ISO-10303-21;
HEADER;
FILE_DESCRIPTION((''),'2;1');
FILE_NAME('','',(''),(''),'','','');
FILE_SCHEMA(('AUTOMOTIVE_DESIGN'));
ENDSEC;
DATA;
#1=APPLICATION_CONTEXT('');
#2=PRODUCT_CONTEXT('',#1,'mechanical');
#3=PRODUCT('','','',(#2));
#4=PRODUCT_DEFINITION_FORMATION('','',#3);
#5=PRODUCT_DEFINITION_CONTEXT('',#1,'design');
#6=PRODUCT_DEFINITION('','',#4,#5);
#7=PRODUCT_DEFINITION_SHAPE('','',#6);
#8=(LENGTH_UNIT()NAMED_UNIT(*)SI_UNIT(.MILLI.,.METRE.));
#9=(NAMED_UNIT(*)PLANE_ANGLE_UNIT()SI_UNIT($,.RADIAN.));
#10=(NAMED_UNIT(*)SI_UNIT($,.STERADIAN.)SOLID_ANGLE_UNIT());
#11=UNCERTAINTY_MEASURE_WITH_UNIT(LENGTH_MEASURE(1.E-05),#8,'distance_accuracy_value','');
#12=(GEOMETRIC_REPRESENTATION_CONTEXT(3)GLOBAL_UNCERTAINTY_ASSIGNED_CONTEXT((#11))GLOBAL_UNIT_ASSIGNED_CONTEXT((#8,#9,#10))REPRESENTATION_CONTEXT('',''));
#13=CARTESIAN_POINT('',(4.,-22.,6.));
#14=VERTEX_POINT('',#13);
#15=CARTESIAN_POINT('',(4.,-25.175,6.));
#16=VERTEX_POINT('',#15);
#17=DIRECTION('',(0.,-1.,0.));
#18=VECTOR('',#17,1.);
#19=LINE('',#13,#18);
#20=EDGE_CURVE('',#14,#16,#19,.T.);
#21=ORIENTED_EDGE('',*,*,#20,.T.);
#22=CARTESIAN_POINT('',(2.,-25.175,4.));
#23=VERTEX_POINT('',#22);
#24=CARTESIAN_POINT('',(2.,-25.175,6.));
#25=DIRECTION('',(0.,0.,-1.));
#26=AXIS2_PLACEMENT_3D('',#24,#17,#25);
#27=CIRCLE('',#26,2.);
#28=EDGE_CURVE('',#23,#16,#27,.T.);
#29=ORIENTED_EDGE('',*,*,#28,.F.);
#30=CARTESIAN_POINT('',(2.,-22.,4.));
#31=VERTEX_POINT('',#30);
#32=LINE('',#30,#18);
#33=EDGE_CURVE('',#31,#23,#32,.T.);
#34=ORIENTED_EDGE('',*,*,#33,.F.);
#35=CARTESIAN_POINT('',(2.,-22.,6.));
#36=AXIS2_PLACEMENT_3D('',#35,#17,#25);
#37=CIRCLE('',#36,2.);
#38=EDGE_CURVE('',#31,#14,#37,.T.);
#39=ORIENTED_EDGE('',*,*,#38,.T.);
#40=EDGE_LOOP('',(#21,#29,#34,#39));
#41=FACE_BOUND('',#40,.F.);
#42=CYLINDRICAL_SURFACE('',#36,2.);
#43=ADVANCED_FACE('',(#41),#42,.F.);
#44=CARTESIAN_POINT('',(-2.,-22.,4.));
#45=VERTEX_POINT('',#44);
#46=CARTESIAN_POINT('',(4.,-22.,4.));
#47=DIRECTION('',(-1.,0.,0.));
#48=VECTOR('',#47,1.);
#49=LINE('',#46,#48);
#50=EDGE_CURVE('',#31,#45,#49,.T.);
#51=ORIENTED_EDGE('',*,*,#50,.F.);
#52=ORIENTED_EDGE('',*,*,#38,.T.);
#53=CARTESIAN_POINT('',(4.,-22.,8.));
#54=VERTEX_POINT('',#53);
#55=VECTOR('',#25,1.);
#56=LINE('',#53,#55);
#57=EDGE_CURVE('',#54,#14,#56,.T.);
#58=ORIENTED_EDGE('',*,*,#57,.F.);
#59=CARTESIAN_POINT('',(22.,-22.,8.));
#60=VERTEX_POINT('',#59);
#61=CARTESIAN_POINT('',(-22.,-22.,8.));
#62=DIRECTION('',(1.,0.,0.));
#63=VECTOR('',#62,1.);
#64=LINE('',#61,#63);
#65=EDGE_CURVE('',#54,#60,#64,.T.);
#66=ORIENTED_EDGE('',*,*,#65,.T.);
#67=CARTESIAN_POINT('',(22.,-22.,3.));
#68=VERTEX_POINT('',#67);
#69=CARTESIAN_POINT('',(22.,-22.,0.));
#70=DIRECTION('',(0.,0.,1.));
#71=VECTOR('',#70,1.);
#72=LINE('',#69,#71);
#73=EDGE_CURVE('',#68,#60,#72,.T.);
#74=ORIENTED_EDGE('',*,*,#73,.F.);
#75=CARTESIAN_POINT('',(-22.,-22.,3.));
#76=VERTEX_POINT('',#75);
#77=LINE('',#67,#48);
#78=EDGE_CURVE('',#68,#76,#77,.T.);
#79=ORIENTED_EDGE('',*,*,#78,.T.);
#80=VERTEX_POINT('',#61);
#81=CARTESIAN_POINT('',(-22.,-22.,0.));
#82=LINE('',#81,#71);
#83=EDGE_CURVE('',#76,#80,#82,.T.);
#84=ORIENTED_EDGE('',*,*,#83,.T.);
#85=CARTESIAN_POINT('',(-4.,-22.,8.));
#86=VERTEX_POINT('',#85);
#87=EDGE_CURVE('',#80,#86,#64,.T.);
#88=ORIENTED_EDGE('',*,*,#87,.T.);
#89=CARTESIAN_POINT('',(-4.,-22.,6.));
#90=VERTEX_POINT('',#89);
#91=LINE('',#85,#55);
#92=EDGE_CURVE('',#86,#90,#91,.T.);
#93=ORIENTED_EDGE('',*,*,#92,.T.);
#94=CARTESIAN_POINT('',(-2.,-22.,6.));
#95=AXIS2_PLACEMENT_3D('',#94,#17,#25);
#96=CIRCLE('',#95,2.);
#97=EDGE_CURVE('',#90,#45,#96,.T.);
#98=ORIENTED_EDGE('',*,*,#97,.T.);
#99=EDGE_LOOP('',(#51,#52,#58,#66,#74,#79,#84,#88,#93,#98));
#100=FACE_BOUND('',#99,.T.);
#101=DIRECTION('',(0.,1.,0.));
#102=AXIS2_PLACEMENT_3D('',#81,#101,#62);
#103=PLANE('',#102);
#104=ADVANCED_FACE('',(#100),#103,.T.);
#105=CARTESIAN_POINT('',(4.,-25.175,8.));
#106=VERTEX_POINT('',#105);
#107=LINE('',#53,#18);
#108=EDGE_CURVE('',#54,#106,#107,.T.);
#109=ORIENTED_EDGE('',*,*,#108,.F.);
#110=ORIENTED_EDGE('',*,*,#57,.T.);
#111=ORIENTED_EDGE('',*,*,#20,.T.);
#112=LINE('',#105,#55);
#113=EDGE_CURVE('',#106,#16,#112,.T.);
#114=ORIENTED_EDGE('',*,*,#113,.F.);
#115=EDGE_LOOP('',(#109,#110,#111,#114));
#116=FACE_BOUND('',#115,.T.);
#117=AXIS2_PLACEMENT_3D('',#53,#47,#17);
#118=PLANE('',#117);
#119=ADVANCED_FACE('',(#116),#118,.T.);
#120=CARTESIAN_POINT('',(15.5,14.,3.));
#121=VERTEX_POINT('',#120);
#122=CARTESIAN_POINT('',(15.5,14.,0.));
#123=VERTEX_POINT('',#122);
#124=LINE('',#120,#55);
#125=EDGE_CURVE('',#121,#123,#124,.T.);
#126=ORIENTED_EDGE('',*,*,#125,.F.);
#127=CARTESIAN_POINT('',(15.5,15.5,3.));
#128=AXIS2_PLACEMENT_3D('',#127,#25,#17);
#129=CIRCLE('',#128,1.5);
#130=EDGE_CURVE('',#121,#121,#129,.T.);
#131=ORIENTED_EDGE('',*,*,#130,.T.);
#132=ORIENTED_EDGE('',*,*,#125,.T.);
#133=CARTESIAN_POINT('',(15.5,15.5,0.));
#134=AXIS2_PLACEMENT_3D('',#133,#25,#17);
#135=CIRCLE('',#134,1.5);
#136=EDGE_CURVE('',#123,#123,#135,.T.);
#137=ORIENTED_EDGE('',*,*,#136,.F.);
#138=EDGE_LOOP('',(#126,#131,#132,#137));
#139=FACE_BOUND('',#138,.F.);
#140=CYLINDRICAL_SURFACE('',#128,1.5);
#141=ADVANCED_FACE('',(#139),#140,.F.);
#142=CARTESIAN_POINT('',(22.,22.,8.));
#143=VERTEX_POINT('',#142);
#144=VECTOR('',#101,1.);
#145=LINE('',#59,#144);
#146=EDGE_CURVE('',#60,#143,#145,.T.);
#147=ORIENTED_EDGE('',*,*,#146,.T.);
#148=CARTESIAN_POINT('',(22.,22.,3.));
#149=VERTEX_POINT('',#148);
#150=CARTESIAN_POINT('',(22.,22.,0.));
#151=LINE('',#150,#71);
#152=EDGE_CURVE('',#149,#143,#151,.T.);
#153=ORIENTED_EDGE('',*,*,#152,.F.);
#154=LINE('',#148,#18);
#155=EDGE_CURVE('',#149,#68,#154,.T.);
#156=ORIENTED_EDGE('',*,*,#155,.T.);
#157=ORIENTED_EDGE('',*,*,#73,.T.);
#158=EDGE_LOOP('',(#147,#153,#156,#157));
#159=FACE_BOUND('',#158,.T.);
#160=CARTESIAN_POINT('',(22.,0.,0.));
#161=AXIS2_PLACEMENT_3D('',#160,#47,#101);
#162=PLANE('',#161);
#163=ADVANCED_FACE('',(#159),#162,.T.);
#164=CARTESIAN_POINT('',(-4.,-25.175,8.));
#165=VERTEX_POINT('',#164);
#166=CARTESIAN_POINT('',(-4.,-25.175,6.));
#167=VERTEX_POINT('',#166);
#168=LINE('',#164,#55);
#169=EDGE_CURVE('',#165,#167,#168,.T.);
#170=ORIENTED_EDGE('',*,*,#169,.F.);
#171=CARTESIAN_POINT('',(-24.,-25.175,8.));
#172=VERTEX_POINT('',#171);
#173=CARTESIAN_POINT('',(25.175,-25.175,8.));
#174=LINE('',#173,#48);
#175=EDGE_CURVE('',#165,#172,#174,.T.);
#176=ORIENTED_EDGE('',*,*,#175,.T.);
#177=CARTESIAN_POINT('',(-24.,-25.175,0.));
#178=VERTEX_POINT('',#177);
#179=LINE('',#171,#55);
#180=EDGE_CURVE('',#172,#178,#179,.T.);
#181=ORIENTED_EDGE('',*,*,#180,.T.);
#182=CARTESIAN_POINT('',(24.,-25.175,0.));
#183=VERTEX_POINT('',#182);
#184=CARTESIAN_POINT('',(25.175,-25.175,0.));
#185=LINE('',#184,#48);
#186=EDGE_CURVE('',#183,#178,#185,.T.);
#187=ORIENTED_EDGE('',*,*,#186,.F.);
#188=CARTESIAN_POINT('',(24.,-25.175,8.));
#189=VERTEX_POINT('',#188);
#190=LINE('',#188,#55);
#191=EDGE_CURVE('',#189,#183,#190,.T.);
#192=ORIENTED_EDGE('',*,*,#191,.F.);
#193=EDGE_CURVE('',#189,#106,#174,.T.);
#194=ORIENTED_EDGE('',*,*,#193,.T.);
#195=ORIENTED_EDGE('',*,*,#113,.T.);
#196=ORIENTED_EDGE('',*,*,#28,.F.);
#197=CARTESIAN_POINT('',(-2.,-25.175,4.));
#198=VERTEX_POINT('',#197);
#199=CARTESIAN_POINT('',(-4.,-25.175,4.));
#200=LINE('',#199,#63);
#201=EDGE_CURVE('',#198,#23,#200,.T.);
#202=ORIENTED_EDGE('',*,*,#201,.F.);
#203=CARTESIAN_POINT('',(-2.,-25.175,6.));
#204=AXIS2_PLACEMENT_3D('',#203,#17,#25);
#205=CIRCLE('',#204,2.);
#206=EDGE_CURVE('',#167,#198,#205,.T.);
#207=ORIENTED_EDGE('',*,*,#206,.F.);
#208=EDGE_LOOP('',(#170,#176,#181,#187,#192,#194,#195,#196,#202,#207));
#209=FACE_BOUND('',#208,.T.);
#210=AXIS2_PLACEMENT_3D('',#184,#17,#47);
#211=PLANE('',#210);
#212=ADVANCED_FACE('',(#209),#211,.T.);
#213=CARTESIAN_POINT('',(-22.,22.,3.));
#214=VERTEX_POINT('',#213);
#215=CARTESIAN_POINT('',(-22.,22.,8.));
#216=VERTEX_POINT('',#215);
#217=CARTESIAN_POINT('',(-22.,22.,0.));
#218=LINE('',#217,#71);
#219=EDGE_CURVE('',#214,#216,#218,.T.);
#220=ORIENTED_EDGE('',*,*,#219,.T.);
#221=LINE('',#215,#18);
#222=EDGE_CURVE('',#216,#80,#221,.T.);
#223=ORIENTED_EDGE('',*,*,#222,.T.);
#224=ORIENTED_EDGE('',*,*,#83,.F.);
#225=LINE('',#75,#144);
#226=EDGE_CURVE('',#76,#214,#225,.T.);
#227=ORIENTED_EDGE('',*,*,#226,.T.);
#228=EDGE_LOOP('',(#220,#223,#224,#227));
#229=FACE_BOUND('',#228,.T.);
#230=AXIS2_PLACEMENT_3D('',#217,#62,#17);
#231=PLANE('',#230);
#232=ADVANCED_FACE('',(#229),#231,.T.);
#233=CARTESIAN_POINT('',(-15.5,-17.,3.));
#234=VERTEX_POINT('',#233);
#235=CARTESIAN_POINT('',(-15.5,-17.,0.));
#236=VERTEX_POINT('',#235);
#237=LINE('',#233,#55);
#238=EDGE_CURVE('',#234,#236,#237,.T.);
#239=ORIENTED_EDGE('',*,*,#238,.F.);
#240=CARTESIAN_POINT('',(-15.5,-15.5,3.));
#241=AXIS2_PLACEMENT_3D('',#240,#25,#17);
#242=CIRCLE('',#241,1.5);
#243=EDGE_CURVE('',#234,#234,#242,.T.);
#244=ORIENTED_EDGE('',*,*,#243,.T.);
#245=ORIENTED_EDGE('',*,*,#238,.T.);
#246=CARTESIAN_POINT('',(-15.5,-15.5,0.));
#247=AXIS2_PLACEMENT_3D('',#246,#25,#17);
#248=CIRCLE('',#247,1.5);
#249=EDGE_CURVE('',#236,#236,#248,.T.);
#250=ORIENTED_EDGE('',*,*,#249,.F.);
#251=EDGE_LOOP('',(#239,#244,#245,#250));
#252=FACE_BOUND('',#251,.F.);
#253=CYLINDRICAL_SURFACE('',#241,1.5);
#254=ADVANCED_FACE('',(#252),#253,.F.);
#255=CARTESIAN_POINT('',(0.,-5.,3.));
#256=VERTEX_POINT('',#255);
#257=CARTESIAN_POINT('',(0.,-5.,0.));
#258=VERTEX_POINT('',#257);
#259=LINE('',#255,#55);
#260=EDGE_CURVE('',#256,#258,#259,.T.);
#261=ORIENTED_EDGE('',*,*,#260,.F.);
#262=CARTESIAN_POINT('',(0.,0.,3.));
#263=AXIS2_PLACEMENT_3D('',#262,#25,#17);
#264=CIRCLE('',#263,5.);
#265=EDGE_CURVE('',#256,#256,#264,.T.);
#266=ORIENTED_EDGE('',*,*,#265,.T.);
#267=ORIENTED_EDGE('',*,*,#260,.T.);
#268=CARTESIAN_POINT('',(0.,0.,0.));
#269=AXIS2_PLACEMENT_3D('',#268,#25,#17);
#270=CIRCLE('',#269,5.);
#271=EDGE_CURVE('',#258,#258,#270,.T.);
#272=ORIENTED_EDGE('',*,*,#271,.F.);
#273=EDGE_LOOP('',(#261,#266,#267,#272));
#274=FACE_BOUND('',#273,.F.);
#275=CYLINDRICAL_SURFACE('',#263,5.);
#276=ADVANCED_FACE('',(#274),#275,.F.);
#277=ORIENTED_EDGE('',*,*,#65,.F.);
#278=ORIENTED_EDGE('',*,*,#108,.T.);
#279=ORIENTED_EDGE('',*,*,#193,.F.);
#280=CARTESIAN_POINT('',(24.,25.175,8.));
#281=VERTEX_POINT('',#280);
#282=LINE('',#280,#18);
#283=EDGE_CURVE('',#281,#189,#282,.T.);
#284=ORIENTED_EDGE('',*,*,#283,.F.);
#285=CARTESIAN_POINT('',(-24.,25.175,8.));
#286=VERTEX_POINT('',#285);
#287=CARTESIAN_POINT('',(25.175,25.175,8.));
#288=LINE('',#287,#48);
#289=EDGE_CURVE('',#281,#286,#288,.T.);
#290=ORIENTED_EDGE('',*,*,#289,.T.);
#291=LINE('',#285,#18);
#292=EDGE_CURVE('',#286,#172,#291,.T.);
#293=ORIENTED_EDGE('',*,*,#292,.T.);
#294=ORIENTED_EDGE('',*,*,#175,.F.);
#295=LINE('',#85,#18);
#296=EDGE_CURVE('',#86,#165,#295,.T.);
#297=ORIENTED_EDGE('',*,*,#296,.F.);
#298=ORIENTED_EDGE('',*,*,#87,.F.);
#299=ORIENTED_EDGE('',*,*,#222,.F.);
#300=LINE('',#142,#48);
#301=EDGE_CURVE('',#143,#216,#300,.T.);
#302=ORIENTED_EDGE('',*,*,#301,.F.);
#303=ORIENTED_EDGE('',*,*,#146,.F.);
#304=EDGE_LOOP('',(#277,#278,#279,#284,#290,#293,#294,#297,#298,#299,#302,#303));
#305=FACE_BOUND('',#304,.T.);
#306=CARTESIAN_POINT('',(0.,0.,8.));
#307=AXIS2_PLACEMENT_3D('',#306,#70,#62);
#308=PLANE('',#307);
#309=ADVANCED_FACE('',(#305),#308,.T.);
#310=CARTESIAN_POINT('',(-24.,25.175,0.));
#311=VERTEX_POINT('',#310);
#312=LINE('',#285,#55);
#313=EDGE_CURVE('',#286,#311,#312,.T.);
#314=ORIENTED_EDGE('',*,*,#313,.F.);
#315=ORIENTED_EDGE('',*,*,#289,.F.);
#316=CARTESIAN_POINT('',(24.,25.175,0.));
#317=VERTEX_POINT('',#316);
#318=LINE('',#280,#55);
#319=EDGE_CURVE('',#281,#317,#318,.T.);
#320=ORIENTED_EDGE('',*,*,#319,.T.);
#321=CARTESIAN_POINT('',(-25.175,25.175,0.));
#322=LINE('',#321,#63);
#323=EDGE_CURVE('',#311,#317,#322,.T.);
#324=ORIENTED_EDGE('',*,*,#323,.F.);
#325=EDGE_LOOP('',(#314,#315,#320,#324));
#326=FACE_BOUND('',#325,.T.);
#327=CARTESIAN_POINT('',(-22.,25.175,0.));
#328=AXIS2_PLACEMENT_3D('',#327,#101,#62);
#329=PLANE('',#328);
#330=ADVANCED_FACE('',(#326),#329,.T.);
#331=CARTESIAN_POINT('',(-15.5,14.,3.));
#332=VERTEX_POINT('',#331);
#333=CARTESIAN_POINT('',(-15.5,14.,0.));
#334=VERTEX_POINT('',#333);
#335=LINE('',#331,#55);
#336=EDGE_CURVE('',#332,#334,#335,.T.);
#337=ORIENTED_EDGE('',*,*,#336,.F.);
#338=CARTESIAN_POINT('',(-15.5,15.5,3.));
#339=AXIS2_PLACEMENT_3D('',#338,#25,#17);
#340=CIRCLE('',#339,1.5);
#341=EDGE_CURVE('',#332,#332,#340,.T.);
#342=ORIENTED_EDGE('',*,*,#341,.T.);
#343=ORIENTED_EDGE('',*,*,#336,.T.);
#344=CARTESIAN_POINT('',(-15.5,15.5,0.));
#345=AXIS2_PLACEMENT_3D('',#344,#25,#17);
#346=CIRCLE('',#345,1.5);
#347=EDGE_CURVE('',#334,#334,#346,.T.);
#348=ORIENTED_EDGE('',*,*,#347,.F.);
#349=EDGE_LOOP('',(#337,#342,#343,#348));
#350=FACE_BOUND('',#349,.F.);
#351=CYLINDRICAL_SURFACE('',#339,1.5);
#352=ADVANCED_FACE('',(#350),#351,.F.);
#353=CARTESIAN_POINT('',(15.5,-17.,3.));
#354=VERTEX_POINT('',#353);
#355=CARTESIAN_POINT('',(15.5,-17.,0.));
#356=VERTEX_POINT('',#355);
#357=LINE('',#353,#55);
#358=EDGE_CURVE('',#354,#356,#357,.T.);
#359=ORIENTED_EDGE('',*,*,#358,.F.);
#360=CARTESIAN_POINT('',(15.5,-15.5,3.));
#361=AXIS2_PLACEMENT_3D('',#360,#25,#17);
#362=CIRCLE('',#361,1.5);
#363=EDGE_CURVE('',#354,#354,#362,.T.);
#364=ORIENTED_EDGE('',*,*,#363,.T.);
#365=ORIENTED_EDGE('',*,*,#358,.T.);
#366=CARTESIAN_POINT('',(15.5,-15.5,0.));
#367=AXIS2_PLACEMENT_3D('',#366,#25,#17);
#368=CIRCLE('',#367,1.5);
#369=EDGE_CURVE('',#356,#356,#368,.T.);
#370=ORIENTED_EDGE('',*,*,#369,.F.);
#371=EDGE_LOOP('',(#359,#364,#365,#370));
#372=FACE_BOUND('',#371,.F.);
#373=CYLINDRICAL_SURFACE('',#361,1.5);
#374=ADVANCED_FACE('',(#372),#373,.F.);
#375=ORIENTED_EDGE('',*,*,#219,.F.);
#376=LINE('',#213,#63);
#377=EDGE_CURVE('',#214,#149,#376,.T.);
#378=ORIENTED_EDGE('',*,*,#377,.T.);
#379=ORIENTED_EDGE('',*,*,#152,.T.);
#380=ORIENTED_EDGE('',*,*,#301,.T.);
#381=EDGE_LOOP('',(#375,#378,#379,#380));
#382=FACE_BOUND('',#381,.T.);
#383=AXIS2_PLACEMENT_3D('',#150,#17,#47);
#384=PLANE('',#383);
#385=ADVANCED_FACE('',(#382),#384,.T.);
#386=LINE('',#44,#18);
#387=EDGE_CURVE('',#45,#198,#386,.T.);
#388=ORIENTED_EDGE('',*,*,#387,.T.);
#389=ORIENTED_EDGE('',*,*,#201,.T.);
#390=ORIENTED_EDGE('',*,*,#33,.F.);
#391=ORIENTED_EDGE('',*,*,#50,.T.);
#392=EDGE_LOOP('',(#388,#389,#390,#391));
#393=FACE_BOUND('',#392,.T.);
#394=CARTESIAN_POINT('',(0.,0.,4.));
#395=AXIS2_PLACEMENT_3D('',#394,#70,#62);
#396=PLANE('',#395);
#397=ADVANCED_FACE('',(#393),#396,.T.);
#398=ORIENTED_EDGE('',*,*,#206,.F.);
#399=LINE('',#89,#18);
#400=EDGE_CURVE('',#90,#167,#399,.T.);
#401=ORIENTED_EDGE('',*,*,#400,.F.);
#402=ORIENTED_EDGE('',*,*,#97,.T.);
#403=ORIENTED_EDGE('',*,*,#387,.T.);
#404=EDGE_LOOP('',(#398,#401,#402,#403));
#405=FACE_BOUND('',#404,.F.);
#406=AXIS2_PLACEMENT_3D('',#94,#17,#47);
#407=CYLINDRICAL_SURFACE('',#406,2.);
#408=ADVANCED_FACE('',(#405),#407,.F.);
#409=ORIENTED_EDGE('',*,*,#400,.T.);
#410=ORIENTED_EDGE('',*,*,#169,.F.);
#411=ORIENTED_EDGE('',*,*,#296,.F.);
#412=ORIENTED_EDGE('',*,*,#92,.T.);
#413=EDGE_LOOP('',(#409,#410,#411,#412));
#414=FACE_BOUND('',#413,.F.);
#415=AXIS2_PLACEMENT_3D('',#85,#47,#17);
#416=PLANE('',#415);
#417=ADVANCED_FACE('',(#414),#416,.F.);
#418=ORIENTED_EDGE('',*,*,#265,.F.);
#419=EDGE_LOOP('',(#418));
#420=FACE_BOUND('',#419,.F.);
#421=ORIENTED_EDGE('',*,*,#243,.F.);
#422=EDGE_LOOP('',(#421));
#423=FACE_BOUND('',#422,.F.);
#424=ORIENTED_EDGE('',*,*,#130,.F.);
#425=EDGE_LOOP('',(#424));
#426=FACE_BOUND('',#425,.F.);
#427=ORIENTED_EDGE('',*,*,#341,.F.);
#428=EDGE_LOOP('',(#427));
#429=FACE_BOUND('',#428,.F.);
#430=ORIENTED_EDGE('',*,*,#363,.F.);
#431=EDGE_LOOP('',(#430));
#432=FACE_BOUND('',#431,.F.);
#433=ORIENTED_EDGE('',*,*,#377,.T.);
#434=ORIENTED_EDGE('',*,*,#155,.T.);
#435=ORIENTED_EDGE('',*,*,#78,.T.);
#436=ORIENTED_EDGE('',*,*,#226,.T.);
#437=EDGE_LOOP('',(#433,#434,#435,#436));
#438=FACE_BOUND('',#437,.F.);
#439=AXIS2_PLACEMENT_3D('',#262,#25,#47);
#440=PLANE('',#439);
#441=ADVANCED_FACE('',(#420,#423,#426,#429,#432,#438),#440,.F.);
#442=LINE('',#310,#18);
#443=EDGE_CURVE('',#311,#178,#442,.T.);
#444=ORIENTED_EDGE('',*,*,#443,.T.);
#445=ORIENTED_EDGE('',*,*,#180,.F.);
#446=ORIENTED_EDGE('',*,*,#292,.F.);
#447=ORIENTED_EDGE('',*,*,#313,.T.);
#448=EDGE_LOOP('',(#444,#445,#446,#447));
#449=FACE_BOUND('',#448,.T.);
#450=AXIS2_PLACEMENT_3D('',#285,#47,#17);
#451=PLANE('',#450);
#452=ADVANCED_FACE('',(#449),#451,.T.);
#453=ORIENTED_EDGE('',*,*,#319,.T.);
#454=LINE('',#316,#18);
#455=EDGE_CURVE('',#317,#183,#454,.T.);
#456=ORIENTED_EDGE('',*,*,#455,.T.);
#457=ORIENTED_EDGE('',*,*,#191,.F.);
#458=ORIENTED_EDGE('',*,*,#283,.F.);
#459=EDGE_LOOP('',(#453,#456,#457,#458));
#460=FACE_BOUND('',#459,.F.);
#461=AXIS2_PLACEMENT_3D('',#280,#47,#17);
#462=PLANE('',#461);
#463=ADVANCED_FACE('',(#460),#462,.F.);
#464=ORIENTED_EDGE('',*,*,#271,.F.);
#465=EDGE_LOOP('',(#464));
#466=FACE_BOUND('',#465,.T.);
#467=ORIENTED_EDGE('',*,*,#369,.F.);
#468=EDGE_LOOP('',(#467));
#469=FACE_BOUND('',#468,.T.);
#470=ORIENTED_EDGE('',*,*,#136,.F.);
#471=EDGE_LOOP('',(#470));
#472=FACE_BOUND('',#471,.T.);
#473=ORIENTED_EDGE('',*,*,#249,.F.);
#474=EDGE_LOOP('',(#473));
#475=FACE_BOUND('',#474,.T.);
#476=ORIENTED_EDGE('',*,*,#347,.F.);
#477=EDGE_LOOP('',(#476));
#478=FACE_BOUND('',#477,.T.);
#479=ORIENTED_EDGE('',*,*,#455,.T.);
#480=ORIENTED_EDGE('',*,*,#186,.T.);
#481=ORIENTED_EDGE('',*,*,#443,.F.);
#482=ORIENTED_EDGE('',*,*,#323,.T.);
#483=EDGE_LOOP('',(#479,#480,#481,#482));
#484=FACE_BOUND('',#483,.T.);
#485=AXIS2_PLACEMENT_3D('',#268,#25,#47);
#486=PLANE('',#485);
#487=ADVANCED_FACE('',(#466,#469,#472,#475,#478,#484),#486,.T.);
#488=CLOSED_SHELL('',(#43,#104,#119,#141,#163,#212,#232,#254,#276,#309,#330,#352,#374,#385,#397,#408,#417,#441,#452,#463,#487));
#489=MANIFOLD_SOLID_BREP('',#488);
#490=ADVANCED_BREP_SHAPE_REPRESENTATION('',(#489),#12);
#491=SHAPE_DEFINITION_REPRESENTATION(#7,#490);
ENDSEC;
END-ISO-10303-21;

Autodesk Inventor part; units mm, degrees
ref_plane "YZ Plane" through (0, 0, 0) normal (1, 0, 0) x (0, 1, 0)
ref_plane "XZ Plane" through (0, 0, 0) normal (0, 1, 0) x (-1, 0, 0)
ref_plane "XY Plane" through (0, 0, 0) normal (0, 0, 1) x (1, 0, 0)
sketch "Sketch1" plane through (0, 0, 0) normal (0, 0, 1) x (1, 0, 0)
  line L0 (0, 0) -> (22, 0)
  line L1 (22, 0) -> (22, 22)
  line L2 (22, 22) -> (-22, 22)
  line L3 (-22, 22) -> (-22, -22)
  line L4 (-22, -22) -> (22, -22)
  line L5 (22, -22) -> (22, 22)
  line L6 (-22, 22) -> (-22, 25.175)
  line L7 (-22, 25.175) -> (-25.175, 25.175)
  line L8 (22, -22) -> (25.175, -22)
  line L9 (25.175, -22) -> (25.175, -25.175)
  line L10 (-25.175, 25.175) -> (25.175, 25.175)
  line L11 (25.175, 25.175) -> (25.175, -25.175)
  line L12 (25.175, -25.175) -> (-25.175, -25.175)
  line L13 (-25.175, -25.175) -> (-25.175, 25.175)
  dimension "d0" = 22
  dimension "d1" = 22
  dimension "d2" = 44
  dimension "d3" = 44
  dimension "d4" = 3.175
  dimension "d5" = 3.175
  dimension "d6" = 3.175
  dimension "d7" = 3.175
extrude "Extrusion1" add sketch "Sketch1" along normal blind 8 contours L1 L2 L6 L10 L11 L8 L5 | L8 L9 L12 L13 L7 L6 L3 L4
sketch "Sketch2" plane through (0, 0, 0) normal (0, 0, -1) x (-1, 0, 0)
  line L0 (22, 22) -> (-22, 22) projected
  line L1 (-22, 22) -> (-22, -22) projected
  line L2 (22, 22) -> (-22, 22)
  line L3 (-22, 22) -> (-22, -22)
  line L4 (-22, -22) -> (22, -22)
  line L5 (22, -22) -> (22, 22)
  point P0 (0, 0)
extrude "Extrusion2" add sketch "Sketch2" against normal blind 3
sketch "Sketch3" plane through (0, 0, 3) normal (0, 0, 1) x (1, 0, 0)
  line L0 (-22, 22) -> (22, 22) projected
  line L1 (-22, 22) -> (0, 22)
  point P0 (0, 0)
  point P1 (0, 0)
hole "Hole1" at (0, 0, 3) direction (0, 0, -1) diameter 10 end through all
sketch "Sketch4" plane through (0, 0, 3) normal (0, 0, 1) x (1, 0, 0)
  line L0 (0, 0) -> (0, 15.5)
  line L1 (0, 15.5) -> (15.5, 15.5)
  line L2 (15.5, 15.5) -> (-15.5, 15.5)
  line L3 (-15.5, 15.5) -> (-15.5, -15.5)
  line L4 (-15.5, -15.5) -> (15.5, -15.5)
  line L5 (15.5, -15.5) -> (15.5, 15.5)
  dimension "d19" = 15.5
  dimension "d20" = 15.5
  dimension "d21" = 31
  dimension "d22" = 31
hole "Hole2" at (-15.5, 15.5, 3) at (15.5, 15.5, 3) at (15.5, -15.5, 3) at (-15.5, -15.5, 3) direction (0, 0, -1) diameter 3 end through all
sketch "Sketch5" plane through (0, 0, 8) normal (0, 0, 1) x (1, 0, 0)
  line L0 (22, 22) -> (22, -22) projected
  line L1 (22, -22) -> (22, -25.175)
  line L2 (-25.175, -25.175) -> (25.175, -25.175) projected
  line L3 (22, -25.175) -> (24, -25.175)
  line L4 (22, -22) -> (-22, -22) projected
  line L5 (-22, -22) -> (-22, -25.175)
  line L6 (-22, -25.175) -> (-24, -25.175)
  line L7 (25.175, -25.175) -> (25.175, 25.175) projected
  line L8 (24, -25.175) -> (25.175, -25.175)
  line L9 (25.175, -25.175) -> (25.175, 25.175)
  line L10 (25.175, 25.175) -> (24, 25.175)
  line L11 (24, 25.175) -> (24, -25.175)
  line L12 (25.175, 25.175) -> (-25.175, 25.175) projected
  line L13 (-24, -25.175) -> (-25.175, -25.175)
  line L14 (-25.175, -25.175) -> (-25.175, 25.175)
  line L15 (-25.175, 25.175) -> (-24, 25.175)
  line L16 (-24, 25.175) -> (-24, -25.175)
  point P0 (0, 0)
  dimension "d30" = 2
  dimension "d31" = 2
extrude "Extrusion3" cut sketch "Sketch5" against normal blind 8 contours L11 L10 L7 L2 | L2 L14 L12 L16
sketch "Sketch6" plane through (0, 0, 8) normal (0, 0, 1) x (1, 0, 0)
  line L0 (22, -22) -> (-22, -22) projected
  line L1 (-24, -25.175) -> (24, -25.175) projected
  line L2 (0, -22) -> (-4, -22)
  line L3 (-4, -22) -> (-4, -25.175)
  line L4 (-4, -25.175) -> (0, -25.175)
  line L5 (0, -25.175) -> (0, -22)
  line L6 (0, -22) -> (4, -22)
  line L7 (4, -22) -> (4, -25.175)
  line L8 (4, -25.175) -> (0, -25.175)
  line L9 (0, -25.175) -> (0, -22)
  point P0 (0, 0)
  dimension "d34" = 4
  dimension "d35" = 4
extrude "Extrusion4" cut sketch "Sketch6" against normal blind 4
fillet "Fillet1" radius 2 2 edges at (-4, -23.5875, 4) (4, -23.5875, 4)
properties part number "RollMotorMount"
